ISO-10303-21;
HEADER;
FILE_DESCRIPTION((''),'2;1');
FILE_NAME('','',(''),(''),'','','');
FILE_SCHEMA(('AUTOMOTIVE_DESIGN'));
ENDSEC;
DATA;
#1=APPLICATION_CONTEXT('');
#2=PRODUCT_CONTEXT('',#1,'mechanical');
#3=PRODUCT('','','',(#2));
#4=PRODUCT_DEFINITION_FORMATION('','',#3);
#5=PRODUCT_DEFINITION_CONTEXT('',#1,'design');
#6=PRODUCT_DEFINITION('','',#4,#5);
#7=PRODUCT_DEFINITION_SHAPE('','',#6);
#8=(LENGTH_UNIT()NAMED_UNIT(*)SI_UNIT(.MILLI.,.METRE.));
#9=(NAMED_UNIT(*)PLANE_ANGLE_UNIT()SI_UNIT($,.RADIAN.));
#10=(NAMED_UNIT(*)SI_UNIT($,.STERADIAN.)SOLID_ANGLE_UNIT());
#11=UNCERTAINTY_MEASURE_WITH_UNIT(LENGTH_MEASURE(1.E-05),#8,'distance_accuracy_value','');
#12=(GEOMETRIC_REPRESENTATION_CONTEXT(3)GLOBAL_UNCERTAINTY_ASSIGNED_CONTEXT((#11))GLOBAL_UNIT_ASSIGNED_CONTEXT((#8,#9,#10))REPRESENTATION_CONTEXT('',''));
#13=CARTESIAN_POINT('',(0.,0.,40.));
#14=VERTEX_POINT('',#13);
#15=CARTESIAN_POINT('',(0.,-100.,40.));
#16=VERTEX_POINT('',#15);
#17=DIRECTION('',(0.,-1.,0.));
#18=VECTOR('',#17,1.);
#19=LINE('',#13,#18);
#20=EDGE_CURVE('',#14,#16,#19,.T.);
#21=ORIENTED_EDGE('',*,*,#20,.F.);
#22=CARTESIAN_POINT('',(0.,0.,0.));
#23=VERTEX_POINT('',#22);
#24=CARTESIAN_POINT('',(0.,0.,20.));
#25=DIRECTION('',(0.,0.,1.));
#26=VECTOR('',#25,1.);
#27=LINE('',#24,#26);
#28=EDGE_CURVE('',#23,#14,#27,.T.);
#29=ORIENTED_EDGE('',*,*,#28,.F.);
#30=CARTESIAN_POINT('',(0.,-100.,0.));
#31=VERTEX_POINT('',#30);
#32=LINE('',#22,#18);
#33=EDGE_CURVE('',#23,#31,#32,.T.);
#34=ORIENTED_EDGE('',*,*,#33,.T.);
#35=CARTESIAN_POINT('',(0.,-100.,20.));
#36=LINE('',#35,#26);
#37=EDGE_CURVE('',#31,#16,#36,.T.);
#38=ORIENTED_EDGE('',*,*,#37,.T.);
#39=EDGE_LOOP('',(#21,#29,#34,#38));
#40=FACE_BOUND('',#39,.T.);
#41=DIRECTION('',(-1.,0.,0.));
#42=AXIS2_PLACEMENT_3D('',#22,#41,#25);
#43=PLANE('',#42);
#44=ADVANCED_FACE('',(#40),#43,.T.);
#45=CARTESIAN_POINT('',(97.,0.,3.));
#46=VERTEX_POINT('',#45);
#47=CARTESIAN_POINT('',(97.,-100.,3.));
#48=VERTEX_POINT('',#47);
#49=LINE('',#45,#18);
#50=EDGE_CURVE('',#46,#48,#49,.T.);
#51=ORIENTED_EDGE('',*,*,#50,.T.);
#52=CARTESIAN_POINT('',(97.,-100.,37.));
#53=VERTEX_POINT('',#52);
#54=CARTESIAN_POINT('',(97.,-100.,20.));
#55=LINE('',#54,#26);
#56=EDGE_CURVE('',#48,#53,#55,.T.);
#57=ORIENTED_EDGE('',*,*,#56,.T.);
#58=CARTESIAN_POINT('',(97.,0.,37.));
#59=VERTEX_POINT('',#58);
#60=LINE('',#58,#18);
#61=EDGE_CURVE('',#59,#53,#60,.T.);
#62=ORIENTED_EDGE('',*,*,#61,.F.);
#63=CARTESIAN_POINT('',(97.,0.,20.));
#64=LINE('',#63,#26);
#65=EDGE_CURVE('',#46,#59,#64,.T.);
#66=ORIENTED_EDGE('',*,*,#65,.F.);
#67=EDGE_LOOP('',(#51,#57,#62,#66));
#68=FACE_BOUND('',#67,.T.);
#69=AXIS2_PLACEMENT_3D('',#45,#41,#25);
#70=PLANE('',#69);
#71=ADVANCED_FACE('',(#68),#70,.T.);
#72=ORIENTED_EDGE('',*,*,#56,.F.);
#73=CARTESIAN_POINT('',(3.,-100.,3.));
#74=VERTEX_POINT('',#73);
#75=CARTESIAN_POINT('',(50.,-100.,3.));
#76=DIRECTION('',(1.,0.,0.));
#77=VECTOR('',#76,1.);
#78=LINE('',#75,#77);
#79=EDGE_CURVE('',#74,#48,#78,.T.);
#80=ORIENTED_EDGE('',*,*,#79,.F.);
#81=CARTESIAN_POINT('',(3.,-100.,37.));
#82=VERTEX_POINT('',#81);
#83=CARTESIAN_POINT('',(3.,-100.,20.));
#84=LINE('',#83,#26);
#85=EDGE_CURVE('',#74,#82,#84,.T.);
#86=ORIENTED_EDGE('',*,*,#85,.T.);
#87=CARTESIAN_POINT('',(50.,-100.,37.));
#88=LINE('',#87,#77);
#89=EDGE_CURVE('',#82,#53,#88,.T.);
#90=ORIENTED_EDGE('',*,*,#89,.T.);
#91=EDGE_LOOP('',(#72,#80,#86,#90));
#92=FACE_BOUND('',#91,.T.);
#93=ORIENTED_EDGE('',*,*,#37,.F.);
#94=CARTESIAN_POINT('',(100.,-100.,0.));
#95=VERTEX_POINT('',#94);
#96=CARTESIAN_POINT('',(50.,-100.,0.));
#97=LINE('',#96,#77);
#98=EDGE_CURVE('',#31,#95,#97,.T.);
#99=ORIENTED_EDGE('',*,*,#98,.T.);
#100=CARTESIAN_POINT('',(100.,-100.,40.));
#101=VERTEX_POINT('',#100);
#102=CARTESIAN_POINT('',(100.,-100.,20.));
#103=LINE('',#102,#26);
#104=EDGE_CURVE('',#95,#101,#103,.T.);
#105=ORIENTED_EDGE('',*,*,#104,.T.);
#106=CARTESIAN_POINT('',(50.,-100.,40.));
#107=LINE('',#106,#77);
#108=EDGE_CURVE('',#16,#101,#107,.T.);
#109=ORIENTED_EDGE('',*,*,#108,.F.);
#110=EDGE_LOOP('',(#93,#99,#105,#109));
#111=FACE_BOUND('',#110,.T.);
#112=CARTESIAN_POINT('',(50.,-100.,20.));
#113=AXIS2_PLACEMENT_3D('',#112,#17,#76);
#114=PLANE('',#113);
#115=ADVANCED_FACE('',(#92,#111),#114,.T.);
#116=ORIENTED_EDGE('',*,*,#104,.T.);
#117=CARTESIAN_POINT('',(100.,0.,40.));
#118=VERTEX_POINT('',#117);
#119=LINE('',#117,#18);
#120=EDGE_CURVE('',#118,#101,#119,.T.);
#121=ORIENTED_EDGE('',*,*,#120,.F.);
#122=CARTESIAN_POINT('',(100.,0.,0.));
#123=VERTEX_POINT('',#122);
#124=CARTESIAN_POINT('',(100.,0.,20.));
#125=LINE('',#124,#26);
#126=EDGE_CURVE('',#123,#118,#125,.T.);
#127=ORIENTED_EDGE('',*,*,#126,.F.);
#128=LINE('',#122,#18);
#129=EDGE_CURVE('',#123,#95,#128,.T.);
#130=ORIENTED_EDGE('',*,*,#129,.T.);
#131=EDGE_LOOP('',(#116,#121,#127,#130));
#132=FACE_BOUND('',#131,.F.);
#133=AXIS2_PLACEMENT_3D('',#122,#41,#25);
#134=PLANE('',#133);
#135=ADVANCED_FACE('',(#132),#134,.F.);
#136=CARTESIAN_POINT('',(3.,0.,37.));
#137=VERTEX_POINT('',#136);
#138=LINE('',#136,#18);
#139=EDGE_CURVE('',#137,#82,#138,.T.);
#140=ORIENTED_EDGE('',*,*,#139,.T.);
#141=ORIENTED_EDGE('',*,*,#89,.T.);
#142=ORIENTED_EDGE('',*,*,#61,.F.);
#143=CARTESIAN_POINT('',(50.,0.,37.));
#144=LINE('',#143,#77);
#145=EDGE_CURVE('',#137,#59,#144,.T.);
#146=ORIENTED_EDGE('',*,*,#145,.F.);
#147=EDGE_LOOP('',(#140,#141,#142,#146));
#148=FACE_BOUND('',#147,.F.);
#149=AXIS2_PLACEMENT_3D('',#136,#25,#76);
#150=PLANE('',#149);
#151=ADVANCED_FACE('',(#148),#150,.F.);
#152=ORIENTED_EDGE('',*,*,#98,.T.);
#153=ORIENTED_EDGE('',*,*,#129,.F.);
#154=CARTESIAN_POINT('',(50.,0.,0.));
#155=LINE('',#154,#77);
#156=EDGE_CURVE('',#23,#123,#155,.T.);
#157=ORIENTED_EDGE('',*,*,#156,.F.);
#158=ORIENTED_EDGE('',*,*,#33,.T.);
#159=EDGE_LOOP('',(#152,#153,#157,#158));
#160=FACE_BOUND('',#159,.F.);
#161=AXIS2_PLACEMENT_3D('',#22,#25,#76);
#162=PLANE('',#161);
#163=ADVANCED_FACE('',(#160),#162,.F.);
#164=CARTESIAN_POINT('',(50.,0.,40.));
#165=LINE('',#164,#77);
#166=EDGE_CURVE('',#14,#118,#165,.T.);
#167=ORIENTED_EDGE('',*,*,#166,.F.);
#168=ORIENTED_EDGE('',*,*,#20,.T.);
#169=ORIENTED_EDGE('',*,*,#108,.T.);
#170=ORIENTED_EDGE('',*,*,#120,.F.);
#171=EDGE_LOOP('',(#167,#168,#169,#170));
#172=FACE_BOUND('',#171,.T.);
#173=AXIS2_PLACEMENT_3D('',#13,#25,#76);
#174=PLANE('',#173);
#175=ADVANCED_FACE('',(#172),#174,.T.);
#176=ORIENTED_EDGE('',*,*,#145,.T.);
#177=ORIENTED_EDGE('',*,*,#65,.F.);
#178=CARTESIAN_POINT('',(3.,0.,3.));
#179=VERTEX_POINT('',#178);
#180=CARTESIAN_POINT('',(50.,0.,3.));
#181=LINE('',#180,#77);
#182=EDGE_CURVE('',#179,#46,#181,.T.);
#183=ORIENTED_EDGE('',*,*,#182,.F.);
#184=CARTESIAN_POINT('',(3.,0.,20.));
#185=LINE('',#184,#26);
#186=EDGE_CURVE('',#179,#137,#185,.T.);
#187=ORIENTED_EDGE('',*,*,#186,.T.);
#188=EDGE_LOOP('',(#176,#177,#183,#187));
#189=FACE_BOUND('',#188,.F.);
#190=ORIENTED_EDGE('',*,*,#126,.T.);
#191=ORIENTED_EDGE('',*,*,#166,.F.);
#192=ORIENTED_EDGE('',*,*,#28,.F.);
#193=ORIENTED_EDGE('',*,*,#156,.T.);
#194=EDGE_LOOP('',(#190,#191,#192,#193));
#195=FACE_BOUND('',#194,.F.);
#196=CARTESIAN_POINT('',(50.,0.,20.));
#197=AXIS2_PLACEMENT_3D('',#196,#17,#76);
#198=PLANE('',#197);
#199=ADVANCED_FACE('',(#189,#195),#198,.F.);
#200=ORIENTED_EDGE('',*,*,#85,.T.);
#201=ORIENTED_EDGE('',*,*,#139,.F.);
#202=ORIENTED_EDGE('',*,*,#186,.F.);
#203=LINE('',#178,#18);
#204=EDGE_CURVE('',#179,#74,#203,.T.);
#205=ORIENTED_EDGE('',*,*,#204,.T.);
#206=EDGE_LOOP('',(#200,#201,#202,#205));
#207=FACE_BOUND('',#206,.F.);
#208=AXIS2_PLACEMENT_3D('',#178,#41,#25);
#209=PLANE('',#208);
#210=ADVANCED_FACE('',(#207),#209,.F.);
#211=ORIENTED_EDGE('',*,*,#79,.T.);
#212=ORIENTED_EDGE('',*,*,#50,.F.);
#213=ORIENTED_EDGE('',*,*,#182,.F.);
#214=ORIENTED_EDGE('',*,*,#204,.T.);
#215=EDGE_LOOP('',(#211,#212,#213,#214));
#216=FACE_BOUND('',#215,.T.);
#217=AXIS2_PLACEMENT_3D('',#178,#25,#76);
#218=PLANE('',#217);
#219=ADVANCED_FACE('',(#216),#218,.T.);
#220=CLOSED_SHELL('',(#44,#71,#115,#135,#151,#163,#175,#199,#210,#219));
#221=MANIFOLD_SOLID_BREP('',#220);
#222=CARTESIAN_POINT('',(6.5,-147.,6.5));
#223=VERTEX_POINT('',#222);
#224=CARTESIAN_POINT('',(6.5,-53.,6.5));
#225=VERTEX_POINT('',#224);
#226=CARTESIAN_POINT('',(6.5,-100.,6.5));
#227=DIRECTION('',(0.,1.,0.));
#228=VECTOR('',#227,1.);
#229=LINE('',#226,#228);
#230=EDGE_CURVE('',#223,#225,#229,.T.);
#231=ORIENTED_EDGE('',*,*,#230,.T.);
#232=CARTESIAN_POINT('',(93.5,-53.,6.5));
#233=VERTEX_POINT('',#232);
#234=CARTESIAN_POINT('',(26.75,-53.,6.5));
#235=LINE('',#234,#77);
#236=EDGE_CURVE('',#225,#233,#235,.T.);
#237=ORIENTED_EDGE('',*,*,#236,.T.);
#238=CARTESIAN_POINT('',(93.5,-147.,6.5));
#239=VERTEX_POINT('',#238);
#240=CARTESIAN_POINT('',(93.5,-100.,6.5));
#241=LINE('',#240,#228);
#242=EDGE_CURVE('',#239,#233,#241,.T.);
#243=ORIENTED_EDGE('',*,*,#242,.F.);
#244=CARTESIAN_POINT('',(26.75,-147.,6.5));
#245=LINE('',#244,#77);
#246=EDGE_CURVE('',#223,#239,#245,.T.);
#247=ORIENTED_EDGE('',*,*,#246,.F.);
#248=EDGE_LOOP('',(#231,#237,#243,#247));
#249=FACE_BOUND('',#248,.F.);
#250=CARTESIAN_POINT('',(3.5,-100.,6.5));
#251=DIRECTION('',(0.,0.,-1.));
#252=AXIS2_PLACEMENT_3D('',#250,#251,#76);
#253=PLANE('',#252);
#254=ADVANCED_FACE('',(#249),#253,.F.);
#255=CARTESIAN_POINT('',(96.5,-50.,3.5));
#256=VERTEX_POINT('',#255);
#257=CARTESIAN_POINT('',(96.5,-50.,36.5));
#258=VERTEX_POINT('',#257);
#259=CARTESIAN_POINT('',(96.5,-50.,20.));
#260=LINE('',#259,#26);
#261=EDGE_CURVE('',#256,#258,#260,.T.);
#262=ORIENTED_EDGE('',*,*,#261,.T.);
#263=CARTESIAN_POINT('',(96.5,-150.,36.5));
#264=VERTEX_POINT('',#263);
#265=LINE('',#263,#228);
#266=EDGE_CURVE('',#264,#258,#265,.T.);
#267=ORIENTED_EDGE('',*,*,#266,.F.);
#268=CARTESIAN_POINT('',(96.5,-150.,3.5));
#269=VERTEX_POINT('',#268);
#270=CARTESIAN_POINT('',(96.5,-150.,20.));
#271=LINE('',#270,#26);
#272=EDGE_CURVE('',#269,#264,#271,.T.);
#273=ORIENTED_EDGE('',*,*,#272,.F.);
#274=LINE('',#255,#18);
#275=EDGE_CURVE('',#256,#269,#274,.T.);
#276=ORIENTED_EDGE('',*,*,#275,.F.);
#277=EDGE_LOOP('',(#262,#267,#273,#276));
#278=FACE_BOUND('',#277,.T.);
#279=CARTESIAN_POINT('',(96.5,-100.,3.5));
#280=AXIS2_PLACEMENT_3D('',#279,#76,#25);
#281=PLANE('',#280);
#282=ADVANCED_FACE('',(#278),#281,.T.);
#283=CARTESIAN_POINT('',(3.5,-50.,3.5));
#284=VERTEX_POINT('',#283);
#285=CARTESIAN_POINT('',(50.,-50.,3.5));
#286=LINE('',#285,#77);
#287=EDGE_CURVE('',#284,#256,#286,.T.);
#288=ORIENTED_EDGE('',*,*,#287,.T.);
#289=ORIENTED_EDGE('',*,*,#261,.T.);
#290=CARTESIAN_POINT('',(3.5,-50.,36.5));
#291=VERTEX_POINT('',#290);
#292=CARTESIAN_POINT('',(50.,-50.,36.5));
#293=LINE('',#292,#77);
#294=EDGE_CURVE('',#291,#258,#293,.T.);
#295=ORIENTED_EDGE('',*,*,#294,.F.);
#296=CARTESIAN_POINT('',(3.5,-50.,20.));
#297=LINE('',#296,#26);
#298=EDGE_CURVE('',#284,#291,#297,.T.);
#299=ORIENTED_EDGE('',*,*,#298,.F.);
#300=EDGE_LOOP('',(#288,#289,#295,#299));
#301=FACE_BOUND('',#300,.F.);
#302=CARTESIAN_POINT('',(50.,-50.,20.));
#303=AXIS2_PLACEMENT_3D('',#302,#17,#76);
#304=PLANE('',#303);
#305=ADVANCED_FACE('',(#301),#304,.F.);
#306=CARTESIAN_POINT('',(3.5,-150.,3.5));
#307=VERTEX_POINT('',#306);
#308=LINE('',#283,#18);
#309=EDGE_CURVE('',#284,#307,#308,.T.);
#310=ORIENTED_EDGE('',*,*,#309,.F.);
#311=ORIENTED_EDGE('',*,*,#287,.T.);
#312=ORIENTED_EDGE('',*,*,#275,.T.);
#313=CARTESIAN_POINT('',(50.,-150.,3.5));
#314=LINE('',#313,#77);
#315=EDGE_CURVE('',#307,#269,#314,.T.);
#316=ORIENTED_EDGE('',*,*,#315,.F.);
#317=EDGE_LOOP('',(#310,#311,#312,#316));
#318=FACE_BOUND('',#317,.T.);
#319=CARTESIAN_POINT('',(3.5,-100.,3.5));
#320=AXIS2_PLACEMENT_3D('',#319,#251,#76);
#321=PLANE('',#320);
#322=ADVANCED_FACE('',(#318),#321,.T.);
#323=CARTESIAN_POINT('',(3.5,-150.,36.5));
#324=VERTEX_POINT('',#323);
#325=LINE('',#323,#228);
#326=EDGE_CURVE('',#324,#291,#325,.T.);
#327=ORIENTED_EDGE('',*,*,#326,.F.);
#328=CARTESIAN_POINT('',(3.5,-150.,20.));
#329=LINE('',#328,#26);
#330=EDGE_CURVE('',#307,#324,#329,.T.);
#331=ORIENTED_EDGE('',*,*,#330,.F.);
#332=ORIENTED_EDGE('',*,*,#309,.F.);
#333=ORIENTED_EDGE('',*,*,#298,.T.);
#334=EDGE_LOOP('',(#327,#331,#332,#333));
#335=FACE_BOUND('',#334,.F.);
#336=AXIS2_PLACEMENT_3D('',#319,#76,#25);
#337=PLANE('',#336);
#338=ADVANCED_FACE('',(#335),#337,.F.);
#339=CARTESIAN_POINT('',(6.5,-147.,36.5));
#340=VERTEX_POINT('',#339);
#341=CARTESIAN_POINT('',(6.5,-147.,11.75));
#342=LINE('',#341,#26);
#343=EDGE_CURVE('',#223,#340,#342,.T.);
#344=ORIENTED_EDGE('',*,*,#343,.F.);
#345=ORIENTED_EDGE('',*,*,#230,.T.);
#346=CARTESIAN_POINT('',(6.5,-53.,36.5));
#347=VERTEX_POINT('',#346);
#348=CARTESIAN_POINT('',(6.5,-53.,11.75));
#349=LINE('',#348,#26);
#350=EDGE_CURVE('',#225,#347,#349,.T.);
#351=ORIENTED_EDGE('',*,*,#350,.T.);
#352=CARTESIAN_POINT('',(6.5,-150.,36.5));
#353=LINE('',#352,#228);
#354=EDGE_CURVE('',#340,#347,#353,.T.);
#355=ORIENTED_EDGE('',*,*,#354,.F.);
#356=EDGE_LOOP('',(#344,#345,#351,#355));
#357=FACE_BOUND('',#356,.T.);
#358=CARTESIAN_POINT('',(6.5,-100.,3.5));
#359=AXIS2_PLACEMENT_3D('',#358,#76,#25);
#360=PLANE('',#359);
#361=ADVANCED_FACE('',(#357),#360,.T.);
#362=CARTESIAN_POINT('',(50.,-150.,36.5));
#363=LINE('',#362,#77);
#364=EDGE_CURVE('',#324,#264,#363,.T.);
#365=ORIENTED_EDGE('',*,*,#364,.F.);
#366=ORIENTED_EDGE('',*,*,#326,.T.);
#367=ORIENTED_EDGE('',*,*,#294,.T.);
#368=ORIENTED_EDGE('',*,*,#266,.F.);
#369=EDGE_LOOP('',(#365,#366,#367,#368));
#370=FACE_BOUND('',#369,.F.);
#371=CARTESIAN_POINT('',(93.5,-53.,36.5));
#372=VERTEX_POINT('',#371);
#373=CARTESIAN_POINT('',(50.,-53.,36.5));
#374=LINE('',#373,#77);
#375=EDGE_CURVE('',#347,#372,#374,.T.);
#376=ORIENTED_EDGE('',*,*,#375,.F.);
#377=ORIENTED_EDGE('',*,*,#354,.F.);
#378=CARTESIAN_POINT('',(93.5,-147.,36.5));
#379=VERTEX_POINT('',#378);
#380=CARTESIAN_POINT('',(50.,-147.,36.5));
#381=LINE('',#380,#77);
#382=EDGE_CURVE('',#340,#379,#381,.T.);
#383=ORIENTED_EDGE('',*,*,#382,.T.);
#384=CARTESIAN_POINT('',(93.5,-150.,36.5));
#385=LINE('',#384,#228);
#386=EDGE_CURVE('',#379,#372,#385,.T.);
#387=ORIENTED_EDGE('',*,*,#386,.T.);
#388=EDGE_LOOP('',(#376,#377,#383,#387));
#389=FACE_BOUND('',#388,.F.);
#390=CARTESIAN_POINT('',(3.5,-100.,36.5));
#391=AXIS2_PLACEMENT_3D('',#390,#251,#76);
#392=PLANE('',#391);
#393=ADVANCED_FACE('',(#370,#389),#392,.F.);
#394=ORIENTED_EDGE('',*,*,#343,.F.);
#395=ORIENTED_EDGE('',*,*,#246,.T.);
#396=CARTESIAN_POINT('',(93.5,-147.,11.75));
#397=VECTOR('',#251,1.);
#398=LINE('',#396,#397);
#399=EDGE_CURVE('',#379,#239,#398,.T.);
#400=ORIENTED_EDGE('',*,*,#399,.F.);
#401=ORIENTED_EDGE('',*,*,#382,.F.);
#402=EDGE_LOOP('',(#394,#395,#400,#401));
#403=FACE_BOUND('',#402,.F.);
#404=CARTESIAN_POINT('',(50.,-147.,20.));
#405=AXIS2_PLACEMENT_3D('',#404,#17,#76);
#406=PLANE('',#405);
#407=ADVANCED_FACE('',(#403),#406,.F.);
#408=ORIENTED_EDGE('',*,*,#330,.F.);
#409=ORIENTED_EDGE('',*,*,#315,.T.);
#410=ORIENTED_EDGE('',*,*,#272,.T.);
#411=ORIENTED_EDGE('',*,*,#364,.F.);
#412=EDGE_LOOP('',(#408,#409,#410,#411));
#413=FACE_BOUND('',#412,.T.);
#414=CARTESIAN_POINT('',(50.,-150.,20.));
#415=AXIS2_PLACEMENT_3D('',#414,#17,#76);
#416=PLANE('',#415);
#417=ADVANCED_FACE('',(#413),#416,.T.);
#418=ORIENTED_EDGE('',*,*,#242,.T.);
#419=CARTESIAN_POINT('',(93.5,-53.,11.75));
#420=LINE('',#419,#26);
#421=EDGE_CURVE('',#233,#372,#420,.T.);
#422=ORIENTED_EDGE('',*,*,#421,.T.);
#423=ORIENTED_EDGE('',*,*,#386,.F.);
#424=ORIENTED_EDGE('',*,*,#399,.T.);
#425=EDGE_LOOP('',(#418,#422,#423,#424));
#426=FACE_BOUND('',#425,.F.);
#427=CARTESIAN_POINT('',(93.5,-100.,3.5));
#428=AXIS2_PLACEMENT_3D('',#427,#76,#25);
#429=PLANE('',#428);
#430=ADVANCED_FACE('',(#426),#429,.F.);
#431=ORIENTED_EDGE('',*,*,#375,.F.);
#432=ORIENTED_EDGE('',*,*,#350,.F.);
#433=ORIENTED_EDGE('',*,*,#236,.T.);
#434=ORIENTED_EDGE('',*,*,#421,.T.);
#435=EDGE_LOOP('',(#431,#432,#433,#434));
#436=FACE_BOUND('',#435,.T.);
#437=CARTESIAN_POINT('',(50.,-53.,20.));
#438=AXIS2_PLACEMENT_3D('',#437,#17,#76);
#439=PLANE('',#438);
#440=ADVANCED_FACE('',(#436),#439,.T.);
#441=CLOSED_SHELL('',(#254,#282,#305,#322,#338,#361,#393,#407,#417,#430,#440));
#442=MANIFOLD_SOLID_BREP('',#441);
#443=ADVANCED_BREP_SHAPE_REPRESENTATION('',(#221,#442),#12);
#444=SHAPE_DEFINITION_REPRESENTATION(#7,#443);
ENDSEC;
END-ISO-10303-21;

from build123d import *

# Parameters (mm, degrees)
F0_W     = 100
F0_H     = 40
F0_W_2   = 94
F0_H_2   = 34
F1_DEPTH = 100
F2_W     = 93
F2_H     = 33
F3_DEPTH = 50
F4_T     = -3


with BuildPart() as f1:
    # F0 (on Front) → F1 (new body)
    with BuildSketch(Plane.XZ):
        with Locations((50, 20)):
            Rectangle(F0_W, F0_H)
        with Locations((50, 20)):
            Rectangle(F0_W_2, F0_H_2, mode=Mode.SUBTRACT)
    extrude(amount=F1_DEPTH)


with BuildPart() as f3:
    # F2 (on face) → F3 (new body, symmetric)
    with BuildSketch(Plane.XZ.offset(100)):
        with Locations((50, 20)):
            Rectangle(F2_W, F2_H)
    extrude(amount=F3_DEPTH, both=True)

    # F4
    f4_openings = [f3.faces().sort_by_distance(p)[0] for p in [
        (50, -100, 36.5),
    ]]
    offset(amount=F4_T, openings=f4_openings)


solid = Compound([f1.part, f3.part])
